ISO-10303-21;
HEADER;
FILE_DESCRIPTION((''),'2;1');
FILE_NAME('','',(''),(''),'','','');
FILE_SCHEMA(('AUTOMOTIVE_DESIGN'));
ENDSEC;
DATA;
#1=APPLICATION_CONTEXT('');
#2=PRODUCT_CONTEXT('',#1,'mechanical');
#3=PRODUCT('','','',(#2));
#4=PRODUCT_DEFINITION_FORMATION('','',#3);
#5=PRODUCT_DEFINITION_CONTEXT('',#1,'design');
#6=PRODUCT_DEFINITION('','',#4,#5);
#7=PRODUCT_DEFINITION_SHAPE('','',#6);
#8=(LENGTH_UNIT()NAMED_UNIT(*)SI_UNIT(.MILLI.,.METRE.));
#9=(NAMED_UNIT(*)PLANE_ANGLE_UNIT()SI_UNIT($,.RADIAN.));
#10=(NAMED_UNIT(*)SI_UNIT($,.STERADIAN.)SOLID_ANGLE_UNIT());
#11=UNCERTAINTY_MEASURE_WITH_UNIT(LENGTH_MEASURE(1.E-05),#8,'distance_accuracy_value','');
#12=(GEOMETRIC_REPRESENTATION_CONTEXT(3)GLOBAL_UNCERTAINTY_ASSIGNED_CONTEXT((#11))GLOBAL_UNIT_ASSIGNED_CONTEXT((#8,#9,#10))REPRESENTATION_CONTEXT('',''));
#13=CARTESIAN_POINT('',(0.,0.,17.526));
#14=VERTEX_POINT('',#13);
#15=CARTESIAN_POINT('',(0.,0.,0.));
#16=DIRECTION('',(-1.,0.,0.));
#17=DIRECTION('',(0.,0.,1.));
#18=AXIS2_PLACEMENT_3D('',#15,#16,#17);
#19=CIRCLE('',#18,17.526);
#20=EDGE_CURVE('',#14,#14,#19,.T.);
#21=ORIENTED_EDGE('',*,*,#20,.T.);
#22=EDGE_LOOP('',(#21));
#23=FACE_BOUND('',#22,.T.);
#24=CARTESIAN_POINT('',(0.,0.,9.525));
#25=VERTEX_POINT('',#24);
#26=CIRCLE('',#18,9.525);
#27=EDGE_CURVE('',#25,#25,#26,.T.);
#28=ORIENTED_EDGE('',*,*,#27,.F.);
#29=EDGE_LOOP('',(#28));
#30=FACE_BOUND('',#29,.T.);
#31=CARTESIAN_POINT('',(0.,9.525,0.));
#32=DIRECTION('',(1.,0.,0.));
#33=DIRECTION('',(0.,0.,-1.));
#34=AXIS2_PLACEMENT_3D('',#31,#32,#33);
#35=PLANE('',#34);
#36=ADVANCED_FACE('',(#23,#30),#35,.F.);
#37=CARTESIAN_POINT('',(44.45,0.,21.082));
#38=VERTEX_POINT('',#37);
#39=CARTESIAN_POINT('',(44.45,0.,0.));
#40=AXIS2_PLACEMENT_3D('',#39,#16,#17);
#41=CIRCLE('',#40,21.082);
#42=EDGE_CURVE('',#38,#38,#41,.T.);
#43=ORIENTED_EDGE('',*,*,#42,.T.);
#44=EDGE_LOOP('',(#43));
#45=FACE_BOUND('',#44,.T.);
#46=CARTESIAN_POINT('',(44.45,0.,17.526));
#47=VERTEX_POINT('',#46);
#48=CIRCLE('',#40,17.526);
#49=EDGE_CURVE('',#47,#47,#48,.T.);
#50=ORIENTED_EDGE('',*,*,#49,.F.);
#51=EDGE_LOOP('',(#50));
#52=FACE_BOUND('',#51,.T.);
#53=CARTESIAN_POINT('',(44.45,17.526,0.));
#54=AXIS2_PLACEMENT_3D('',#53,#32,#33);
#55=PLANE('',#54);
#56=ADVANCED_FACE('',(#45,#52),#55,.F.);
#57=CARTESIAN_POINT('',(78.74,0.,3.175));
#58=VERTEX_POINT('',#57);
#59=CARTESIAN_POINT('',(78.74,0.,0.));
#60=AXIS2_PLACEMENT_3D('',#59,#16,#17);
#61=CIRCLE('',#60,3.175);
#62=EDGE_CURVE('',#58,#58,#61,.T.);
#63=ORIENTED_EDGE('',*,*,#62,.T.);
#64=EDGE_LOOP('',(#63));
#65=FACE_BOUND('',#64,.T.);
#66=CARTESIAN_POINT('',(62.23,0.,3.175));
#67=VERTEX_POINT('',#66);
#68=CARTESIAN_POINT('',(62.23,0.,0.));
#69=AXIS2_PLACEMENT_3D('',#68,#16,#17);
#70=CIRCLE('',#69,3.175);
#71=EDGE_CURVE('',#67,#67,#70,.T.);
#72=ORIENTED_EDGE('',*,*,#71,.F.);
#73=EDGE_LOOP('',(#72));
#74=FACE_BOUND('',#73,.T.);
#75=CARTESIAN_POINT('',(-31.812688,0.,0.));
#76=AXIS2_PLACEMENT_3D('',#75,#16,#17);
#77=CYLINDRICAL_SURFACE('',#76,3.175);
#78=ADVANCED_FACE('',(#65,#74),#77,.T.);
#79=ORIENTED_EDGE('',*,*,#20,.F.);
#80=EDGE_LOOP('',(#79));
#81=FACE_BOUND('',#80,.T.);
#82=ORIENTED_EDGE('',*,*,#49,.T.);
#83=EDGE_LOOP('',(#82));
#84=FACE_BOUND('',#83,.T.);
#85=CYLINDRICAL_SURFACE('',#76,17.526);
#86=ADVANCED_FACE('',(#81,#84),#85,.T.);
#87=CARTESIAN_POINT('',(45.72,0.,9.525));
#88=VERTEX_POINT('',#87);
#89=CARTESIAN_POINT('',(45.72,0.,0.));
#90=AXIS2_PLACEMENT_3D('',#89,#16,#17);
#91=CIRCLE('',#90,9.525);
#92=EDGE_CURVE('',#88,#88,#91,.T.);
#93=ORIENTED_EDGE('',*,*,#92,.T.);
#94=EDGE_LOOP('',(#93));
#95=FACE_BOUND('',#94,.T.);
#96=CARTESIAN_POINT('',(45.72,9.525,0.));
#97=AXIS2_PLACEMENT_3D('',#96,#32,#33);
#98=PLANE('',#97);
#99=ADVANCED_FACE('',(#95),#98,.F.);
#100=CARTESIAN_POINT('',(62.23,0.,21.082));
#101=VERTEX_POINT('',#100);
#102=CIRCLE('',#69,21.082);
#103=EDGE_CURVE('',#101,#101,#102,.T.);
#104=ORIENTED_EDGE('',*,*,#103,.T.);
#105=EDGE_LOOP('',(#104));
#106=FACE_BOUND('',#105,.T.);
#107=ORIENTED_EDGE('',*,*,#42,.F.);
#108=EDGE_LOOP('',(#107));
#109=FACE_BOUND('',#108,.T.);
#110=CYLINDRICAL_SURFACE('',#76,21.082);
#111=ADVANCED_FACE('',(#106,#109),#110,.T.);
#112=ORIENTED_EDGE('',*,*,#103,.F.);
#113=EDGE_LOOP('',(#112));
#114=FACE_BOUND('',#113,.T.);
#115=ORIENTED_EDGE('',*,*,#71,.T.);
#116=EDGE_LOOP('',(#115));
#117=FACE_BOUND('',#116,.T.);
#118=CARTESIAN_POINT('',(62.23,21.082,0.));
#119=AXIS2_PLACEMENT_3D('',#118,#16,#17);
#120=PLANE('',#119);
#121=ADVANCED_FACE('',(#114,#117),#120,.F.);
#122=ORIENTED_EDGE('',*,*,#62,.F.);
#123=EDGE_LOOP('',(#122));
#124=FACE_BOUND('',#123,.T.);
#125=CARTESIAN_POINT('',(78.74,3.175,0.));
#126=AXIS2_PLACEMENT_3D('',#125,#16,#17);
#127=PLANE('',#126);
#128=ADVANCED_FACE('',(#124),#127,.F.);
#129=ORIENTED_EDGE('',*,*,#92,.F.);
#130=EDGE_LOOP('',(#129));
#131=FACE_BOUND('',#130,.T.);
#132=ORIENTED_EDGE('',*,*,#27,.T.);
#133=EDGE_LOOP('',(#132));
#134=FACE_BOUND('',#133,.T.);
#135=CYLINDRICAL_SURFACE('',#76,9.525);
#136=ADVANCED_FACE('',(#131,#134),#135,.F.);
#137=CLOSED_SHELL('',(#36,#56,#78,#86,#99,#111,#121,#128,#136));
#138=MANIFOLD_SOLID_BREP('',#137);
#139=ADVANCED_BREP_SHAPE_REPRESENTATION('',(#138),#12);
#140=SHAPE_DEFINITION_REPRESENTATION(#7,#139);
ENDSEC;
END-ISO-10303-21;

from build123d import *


with BuildPart() as part:
    # Sketch1 → Revolve1 (revolve)
    with BuildSketch(Plane.XY):
        Polygon((0, 9.525), (0, 17.526), (44.45, 17.526), (44.45, 21.082), (62.23, 21.082), (62.23, 3.175), (78.74, 3.175), (78.74, 0), (45.72, 0), (45.72, 9.525), align=None)
    revolve(axis=Axis((-31.81268841, 0, 0), (1, 0, 0)))


solid = part.part
